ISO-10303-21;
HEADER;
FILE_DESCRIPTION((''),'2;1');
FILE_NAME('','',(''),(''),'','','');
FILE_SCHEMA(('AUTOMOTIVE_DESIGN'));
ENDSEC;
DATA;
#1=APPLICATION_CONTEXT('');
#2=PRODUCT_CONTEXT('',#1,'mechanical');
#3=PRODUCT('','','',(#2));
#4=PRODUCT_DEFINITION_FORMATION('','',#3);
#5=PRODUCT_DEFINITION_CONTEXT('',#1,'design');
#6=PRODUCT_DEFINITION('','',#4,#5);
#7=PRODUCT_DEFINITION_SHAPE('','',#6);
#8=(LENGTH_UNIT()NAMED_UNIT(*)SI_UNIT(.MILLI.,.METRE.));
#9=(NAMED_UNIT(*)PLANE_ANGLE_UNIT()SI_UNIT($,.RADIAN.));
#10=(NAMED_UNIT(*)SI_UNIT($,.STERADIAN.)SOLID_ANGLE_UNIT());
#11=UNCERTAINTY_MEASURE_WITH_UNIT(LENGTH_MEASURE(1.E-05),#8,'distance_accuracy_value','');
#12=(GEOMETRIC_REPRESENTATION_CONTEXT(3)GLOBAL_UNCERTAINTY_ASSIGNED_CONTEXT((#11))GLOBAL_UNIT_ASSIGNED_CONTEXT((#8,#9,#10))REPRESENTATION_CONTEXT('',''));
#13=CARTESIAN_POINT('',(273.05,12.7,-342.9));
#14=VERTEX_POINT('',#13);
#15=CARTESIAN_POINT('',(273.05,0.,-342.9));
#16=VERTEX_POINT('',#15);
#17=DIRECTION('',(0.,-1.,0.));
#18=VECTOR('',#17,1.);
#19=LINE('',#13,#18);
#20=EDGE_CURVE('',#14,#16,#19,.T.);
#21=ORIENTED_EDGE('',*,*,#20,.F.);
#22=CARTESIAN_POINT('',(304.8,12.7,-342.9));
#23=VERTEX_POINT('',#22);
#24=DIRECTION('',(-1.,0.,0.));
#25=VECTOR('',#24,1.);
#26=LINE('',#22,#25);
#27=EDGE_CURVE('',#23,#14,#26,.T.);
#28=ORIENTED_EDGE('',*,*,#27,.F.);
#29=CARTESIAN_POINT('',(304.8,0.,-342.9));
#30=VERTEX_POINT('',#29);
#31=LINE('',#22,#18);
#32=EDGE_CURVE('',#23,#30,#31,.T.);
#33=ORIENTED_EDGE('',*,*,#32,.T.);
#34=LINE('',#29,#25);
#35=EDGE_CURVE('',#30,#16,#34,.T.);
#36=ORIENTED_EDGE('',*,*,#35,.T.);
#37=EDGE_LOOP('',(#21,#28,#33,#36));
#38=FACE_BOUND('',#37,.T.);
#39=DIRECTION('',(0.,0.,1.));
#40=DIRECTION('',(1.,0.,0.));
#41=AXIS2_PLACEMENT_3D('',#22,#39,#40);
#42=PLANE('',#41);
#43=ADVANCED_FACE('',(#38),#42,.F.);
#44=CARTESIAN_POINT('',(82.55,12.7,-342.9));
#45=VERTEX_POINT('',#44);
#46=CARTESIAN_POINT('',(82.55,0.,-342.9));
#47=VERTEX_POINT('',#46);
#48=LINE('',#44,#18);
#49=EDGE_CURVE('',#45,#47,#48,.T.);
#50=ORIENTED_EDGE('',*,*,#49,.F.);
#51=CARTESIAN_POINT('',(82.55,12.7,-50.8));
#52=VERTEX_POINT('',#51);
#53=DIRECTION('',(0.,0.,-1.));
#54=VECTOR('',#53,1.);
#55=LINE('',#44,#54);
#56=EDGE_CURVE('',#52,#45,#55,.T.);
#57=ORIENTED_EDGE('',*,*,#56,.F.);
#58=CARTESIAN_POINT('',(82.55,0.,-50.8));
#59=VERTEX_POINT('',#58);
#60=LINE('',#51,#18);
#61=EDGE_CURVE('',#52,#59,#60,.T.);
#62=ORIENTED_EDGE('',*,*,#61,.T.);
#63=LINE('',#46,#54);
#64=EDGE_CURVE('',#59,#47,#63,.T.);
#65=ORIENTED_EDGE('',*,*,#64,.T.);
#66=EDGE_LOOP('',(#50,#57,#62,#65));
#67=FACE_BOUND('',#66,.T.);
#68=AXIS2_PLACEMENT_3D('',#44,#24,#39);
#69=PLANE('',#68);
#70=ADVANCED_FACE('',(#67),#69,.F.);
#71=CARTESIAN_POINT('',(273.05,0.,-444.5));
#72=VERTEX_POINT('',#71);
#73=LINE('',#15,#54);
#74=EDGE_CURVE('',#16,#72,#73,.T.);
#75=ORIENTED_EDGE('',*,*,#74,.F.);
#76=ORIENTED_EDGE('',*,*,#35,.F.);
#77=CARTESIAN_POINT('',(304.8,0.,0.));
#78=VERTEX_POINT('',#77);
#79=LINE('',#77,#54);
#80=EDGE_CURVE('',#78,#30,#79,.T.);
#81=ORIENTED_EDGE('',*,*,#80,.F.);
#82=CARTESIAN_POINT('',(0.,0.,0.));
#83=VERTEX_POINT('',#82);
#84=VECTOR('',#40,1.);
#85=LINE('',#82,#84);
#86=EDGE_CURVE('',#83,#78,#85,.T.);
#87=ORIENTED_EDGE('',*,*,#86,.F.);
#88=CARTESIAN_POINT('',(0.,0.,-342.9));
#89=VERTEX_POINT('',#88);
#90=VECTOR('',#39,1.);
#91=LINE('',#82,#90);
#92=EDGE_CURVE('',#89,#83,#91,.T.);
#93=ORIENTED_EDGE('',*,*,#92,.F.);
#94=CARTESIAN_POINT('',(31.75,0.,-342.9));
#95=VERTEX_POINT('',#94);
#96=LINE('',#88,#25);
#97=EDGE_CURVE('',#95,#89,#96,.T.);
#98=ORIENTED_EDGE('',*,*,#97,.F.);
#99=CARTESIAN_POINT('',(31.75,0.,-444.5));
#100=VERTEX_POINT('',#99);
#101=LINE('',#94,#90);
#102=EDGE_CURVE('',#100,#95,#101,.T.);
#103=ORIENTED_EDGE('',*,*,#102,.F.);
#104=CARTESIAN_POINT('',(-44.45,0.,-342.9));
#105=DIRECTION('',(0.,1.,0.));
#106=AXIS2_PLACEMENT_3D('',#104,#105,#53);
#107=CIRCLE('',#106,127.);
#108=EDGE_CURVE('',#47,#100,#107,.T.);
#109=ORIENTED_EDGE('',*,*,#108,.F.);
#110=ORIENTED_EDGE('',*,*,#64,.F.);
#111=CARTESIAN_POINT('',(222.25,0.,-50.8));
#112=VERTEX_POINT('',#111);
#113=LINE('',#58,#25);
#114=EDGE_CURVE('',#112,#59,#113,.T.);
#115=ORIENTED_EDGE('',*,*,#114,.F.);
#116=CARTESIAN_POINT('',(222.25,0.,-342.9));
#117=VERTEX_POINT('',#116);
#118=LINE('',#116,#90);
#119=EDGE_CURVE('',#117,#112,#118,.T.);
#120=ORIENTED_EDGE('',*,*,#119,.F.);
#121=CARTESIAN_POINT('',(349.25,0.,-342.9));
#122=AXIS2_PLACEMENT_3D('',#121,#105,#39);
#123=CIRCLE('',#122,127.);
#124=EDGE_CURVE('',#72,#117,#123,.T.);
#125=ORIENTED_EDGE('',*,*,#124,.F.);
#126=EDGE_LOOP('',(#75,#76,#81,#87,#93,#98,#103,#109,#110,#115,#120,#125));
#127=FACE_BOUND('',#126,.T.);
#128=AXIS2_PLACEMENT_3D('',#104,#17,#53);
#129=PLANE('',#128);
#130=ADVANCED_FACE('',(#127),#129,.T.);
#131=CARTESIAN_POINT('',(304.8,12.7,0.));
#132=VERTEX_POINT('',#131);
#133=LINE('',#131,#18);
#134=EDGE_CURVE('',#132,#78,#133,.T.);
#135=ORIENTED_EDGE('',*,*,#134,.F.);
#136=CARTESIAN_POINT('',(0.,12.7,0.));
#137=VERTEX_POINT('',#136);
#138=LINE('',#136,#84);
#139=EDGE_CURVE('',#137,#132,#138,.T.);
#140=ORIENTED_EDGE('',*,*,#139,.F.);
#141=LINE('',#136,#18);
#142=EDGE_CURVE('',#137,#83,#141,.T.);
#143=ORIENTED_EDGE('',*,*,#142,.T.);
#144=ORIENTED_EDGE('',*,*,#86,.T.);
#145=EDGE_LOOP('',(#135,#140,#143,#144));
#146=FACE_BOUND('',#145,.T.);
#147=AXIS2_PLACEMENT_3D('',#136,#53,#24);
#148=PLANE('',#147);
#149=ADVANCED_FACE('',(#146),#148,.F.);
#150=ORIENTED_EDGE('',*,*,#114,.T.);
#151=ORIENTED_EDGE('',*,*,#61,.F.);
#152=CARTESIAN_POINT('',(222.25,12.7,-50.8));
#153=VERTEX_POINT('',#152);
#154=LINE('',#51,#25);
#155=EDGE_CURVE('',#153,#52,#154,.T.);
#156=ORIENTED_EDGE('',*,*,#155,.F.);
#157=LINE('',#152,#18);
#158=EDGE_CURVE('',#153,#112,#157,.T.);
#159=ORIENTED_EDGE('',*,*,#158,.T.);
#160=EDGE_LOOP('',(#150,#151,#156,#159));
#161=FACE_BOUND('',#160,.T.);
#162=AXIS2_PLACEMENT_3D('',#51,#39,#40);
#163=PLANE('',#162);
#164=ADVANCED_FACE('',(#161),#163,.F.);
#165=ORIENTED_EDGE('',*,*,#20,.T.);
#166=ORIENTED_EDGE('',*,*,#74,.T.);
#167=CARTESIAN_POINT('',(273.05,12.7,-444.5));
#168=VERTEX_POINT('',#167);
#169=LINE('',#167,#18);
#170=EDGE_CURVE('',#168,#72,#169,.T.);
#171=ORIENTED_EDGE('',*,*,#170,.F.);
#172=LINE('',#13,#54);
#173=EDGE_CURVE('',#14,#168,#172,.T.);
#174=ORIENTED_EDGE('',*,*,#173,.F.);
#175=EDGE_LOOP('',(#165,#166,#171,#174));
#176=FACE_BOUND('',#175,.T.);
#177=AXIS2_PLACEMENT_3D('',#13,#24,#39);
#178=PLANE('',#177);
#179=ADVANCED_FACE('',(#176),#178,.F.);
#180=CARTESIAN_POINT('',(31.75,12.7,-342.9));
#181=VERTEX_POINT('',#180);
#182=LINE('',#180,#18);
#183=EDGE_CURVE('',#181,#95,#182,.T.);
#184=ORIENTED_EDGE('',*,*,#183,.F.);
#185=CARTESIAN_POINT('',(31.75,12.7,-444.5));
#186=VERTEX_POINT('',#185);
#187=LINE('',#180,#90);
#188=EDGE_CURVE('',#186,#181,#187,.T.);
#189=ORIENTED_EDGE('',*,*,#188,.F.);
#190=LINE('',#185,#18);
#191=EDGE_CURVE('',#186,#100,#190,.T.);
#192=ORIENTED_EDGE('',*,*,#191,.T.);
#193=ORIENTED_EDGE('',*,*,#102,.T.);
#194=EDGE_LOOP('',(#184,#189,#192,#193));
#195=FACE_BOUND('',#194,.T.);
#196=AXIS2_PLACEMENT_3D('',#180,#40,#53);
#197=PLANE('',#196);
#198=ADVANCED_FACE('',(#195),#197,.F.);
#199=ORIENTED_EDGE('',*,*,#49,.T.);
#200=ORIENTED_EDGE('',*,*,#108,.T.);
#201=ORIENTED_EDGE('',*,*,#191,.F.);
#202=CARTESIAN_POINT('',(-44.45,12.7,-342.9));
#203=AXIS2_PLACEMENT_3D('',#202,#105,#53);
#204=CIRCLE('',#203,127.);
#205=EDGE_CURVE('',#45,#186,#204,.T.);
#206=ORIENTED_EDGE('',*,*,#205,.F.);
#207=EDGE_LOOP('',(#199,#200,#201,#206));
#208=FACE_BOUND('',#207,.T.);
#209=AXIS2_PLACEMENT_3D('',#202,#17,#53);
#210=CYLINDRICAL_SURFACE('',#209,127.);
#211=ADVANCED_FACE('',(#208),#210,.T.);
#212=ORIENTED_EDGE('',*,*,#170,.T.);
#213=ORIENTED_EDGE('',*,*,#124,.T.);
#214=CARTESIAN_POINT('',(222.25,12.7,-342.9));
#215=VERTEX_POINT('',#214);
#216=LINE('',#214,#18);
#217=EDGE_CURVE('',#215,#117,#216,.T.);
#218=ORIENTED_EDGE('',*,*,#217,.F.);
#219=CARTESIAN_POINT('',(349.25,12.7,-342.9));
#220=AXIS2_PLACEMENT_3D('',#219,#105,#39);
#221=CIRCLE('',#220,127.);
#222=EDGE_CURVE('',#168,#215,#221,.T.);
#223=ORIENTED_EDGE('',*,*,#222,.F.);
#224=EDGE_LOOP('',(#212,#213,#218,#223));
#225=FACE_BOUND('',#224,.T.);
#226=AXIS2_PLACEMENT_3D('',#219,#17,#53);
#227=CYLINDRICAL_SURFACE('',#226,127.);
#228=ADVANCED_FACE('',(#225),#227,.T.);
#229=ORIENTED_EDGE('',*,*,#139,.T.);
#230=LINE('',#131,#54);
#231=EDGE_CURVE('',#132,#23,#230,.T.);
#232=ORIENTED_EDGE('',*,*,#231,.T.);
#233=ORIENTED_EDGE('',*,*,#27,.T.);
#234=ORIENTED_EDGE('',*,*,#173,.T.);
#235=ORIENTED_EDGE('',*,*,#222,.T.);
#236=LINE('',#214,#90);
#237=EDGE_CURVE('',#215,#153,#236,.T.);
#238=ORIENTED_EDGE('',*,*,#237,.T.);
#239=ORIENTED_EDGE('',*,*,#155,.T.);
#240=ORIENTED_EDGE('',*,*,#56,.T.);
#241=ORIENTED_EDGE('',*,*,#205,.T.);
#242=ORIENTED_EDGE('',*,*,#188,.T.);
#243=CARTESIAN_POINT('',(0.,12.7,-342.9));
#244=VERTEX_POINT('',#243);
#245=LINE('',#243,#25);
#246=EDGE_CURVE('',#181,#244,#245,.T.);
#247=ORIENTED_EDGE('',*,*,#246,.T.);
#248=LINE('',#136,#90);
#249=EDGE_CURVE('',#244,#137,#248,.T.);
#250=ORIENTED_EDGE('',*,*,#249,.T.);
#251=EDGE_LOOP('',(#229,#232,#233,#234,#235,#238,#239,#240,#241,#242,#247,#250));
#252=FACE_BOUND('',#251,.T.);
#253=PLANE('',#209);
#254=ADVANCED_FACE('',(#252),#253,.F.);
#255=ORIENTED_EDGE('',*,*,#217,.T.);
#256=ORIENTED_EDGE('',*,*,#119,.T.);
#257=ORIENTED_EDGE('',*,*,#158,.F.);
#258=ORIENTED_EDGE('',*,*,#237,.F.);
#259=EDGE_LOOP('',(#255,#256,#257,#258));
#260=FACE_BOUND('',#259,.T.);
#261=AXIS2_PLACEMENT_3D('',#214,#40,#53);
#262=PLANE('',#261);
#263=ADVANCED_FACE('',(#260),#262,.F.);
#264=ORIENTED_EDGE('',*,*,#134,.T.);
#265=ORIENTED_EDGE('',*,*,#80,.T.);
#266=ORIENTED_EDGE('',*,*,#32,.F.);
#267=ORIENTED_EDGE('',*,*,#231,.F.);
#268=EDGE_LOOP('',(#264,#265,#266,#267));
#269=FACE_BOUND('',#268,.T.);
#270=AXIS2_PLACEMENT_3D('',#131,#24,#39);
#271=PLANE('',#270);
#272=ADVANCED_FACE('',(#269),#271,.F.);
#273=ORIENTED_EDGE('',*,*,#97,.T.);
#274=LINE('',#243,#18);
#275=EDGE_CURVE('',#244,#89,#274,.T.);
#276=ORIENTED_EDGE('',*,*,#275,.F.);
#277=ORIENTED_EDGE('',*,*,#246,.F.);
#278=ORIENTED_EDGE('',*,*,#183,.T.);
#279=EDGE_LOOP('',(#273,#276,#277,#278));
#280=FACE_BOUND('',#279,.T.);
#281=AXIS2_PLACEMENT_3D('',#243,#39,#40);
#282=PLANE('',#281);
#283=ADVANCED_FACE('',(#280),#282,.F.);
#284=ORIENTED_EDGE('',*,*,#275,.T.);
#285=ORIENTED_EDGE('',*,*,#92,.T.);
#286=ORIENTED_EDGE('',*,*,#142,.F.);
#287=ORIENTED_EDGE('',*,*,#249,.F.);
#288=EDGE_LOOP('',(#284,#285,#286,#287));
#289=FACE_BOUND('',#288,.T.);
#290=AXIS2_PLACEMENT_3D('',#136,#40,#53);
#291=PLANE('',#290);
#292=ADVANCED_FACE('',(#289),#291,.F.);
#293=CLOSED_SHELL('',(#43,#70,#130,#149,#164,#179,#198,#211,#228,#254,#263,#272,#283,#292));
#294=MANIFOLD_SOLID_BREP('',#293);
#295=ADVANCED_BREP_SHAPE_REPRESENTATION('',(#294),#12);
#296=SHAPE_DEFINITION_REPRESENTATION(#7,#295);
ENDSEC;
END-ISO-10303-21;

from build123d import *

# Parameters (mm, degrees)
BOSS_EXTRUDE1_DEPTH = 12.7


with BuildPart() as part:
    # Sketch2 → Boss-Extrude1 (new body)
    with BuildSketch(Plane(origin=(0, 0, 0), x_dir=(1, 0, 0), z_dir=(0, 1, 0))):
        with BuildLine():
            Line((0, 0), (304.8, 0))
            Line((304.8, 0), (304.8, 342.9))
            Line((304.8, 342.9), (273.05, 342.9))
            Line((273.05, 342.9), (273.05, 444.5))
            ThreePointArc((273.05, 444.5), (235.657746743, 399.696126628), (222.25, 342.9))
            Line((222.25, 342.9), (222.25, 50.8))
            Line((222.25, 50.8), (82.55, 50.8))
            Line((82.55, 50.8), (82.55, 342.9))
            ThreePointArc((82.55, 342.9), (69.142253257, 399.696126628), (31.75, 444.5))
            Line((31.75, 444.5), (31.75, 342.9))
            Line((31.75, 342.9), (0, 342.9))
            Line((0, 342.9), (0, 0))
        make_face()
    extrude(amount=BOSS_EXTRUDE1_DEPTH)


solid = part.part
